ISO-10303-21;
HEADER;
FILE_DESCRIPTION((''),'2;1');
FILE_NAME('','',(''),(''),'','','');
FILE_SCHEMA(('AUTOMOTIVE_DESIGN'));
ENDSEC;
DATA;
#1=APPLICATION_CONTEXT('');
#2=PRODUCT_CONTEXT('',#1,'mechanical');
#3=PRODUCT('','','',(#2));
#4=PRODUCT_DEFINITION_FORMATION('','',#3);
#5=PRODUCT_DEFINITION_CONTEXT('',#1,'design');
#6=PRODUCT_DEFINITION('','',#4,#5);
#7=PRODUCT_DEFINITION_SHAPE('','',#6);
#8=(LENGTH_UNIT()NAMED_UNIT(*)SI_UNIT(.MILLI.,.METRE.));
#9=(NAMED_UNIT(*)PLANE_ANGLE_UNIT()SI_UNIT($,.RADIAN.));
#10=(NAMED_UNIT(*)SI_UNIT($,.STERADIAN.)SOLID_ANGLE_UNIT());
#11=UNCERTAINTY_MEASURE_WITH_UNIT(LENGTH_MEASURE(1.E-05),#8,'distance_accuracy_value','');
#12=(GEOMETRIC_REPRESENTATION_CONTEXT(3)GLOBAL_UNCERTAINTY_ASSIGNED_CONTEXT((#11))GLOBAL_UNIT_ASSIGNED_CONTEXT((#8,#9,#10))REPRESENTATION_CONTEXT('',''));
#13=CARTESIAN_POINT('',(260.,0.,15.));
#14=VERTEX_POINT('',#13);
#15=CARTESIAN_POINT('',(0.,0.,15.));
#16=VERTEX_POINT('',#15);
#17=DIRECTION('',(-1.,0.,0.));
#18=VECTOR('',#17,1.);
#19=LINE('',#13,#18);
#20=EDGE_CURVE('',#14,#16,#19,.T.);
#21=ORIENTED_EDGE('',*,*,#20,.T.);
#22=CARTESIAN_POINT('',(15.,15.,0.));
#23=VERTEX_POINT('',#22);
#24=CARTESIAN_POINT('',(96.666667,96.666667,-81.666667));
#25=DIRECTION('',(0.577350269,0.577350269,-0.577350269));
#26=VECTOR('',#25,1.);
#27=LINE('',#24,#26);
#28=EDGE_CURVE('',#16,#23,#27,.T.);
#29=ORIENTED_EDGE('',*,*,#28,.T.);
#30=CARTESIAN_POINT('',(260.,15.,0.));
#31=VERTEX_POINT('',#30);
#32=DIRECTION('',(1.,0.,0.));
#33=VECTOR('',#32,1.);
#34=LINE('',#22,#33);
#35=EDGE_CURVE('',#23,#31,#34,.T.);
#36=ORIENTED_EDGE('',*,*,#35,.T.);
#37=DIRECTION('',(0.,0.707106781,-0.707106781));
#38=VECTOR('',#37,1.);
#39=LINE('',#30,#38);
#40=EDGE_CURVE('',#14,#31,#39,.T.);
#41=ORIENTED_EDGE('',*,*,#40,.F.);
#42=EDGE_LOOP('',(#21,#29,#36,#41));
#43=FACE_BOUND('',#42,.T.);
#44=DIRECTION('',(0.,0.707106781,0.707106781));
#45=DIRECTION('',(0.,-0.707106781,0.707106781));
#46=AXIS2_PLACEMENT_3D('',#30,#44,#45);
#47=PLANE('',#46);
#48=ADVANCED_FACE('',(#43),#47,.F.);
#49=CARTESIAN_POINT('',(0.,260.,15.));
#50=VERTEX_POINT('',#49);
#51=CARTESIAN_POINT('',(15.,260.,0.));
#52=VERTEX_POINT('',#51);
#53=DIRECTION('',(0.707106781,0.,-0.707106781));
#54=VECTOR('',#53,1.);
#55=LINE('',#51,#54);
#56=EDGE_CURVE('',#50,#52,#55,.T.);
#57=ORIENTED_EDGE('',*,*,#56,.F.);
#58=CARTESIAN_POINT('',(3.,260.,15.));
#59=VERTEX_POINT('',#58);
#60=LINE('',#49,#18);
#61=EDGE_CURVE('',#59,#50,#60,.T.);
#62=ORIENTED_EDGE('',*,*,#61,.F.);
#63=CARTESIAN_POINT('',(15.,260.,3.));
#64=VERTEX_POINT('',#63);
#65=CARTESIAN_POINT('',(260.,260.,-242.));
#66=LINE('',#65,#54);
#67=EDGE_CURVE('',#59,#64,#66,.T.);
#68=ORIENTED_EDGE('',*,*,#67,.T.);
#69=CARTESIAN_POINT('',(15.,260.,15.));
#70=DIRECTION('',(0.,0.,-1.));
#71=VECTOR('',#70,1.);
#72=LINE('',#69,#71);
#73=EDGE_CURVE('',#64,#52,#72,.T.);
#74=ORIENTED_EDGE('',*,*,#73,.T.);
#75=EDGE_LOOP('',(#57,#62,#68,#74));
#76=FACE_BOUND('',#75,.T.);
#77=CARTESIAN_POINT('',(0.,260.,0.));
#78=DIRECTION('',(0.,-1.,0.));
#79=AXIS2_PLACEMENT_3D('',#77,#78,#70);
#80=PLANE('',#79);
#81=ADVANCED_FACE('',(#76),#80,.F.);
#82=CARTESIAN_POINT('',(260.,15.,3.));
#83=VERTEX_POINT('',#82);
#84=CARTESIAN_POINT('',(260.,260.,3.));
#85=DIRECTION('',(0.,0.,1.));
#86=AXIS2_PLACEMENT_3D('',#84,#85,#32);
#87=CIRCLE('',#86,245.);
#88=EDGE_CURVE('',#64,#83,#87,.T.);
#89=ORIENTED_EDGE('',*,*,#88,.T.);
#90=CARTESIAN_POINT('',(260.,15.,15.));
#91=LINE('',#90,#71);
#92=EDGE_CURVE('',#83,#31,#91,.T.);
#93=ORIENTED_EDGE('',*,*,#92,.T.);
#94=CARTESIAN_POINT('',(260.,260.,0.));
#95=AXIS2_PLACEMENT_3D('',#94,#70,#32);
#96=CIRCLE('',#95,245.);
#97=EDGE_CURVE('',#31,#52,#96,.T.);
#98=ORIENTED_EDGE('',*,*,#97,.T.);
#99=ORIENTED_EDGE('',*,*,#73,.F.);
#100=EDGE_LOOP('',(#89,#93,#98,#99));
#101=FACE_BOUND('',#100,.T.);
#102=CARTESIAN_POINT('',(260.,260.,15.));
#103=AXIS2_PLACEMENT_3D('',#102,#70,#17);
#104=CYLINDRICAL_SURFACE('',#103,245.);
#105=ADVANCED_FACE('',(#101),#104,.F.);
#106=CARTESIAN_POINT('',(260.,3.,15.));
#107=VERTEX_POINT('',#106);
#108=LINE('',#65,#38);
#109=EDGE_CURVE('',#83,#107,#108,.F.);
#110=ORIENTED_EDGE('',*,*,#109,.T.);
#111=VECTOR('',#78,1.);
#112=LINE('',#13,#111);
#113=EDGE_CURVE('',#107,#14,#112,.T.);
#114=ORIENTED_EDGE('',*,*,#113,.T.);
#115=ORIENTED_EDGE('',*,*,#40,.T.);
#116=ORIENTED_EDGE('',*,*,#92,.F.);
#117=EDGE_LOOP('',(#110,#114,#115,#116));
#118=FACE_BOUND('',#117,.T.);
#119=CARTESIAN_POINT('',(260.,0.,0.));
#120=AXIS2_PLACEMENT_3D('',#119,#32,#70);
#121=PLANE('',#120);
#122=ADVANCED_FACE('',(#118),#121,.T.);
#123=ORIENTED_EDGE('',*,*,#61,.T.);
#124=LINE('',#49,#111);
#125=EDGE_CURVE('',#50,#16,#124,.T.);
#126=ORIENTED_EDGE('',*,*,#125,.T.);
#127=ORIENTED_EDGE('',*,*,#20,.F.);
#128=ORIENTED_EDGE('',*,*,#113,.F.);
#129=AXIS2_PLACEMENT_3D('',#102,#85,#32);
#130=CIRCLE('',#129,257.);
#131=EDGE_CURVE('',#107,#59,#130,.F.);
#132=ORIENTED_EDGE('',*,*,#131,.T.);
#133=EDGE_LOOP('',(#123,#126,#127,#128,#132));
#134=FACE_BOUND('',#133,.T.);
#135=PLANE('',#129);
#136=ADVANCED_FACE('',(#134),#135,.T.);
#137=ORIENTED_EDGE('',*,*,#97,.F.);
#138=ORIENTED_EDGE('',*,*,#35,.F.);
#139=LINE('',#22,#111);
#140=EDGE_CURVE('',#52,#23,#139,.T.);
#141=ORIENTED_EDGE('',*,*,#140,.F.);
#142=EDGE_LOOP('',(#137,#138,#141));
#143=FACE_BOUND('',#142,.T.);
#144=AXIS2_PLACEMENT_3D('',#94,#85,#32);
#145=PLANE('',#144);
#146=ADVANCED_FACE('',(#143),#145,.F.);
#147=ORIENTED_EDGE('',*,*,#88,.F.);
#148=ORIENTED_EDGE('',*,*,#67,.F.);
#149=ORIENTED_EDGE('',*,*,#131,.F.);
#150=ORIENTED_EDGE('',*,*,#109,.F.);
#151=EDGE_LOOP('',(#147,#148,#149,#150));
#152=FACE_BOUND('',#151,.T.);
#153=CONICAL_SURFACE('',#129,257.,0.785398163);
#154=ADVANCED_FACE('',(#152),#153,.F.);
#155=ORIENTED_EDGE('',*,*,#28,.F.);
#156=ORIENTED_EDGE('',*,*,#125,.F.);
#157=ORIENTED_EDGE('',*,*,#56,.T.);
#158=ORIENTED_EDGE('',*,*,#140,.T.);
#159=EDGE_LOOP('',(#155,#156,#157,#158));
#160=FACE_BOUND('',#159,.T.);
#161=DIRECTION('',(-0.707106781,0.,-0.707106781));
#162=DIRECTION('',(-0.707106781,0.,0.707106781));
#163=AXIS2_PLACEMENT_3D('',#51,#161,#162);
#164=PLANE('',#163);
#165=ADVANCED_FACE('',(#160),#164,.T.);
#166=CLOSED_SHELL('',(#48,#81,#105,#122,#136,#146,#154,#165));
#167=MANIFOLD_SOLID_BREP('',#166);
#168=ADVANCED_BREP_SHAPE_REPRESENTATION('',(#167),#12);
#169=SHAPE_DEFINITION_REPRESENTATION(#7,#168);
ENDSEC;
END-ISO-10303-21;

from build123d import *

# Parameters (mm, degrees)
BOSS_EXTRUDE1_DEPTH = 15
BOSS_EXTRUDE2_DEPTH = 245
BOSS_EXTRUDE3_DEPTH = 245
BOSS_EXTRUDE4_DEPTH = 245
CUT_EXTRUDE1_DEPTH  = 245
CHAMFER1_SIZE       = 12


with BuildPart() as part:
    # Sketch1 → Boss-Extrude1 (new body)
    with BuildSketch(Plane.XY):
        with BuildLine():
            Line((15, 15), (260, 15))
            ThreePointArc((260, 15), (86.758838609, 86.758838609), (15, 260))
            Line((15, 260), (15, 15))
        make_face()
    extrude(amount=BOSS_EXTRUDE1_DEPTH)

    # Sketch2 → Boss-Extrude2 (add)
    with BuildSketch(Plane.XZ.offset(-15)):
        Polygon((15, 0), (0, 15), (15, 15), align=None)
    extrude(amount=-BOSS_EXTRUDE2_DEPTH)

    # Sketch3 → Boss-Extrude3 (add)
    with BuildSketch(Plane(origin=(15, 0, 0), x_dir=(0, 0, -1), z_dir=(1, 0, 0))):
        Polygon((0, 15), (-15, 0), (-15, 15), align=None)
    extrude(amount=BOSS_EXTRUDE3_DEPTH)

    # Sketch4 → Boss-Extrude4 (add)
    with BuildSketch(Plane.ZY.offset(-15)):
        Polygon((15, 15), (0, 15), (15, 0), align=None)
    extrude(amount=BOSS_EXTRUDE4_DEPTH)

    # Sketch5 → Cut-Extrude1 (cut)
    with BuildSketch(Plane(origin=(0, 15, 0), x_dir=(1, 0, 0), z_dir=(0, 1, 0))):
        Polygon((0, -15), (15, 0), (-230, 0), (-230, -15), align=None)
    extrude(amount=-CUT_EXTRUDE1_DEPTH, mode=Mode.SUBTRACT)

    # Chamfer1
    chamfer1_edges = [part.edges().sort_by_distance(p)[0] for p in [
        (86.758838609, 86.758838609, 15),
    ]]
    chamfer(chamfer1_edges, length=CHAMFER1_SIZE)


solid = part.part
